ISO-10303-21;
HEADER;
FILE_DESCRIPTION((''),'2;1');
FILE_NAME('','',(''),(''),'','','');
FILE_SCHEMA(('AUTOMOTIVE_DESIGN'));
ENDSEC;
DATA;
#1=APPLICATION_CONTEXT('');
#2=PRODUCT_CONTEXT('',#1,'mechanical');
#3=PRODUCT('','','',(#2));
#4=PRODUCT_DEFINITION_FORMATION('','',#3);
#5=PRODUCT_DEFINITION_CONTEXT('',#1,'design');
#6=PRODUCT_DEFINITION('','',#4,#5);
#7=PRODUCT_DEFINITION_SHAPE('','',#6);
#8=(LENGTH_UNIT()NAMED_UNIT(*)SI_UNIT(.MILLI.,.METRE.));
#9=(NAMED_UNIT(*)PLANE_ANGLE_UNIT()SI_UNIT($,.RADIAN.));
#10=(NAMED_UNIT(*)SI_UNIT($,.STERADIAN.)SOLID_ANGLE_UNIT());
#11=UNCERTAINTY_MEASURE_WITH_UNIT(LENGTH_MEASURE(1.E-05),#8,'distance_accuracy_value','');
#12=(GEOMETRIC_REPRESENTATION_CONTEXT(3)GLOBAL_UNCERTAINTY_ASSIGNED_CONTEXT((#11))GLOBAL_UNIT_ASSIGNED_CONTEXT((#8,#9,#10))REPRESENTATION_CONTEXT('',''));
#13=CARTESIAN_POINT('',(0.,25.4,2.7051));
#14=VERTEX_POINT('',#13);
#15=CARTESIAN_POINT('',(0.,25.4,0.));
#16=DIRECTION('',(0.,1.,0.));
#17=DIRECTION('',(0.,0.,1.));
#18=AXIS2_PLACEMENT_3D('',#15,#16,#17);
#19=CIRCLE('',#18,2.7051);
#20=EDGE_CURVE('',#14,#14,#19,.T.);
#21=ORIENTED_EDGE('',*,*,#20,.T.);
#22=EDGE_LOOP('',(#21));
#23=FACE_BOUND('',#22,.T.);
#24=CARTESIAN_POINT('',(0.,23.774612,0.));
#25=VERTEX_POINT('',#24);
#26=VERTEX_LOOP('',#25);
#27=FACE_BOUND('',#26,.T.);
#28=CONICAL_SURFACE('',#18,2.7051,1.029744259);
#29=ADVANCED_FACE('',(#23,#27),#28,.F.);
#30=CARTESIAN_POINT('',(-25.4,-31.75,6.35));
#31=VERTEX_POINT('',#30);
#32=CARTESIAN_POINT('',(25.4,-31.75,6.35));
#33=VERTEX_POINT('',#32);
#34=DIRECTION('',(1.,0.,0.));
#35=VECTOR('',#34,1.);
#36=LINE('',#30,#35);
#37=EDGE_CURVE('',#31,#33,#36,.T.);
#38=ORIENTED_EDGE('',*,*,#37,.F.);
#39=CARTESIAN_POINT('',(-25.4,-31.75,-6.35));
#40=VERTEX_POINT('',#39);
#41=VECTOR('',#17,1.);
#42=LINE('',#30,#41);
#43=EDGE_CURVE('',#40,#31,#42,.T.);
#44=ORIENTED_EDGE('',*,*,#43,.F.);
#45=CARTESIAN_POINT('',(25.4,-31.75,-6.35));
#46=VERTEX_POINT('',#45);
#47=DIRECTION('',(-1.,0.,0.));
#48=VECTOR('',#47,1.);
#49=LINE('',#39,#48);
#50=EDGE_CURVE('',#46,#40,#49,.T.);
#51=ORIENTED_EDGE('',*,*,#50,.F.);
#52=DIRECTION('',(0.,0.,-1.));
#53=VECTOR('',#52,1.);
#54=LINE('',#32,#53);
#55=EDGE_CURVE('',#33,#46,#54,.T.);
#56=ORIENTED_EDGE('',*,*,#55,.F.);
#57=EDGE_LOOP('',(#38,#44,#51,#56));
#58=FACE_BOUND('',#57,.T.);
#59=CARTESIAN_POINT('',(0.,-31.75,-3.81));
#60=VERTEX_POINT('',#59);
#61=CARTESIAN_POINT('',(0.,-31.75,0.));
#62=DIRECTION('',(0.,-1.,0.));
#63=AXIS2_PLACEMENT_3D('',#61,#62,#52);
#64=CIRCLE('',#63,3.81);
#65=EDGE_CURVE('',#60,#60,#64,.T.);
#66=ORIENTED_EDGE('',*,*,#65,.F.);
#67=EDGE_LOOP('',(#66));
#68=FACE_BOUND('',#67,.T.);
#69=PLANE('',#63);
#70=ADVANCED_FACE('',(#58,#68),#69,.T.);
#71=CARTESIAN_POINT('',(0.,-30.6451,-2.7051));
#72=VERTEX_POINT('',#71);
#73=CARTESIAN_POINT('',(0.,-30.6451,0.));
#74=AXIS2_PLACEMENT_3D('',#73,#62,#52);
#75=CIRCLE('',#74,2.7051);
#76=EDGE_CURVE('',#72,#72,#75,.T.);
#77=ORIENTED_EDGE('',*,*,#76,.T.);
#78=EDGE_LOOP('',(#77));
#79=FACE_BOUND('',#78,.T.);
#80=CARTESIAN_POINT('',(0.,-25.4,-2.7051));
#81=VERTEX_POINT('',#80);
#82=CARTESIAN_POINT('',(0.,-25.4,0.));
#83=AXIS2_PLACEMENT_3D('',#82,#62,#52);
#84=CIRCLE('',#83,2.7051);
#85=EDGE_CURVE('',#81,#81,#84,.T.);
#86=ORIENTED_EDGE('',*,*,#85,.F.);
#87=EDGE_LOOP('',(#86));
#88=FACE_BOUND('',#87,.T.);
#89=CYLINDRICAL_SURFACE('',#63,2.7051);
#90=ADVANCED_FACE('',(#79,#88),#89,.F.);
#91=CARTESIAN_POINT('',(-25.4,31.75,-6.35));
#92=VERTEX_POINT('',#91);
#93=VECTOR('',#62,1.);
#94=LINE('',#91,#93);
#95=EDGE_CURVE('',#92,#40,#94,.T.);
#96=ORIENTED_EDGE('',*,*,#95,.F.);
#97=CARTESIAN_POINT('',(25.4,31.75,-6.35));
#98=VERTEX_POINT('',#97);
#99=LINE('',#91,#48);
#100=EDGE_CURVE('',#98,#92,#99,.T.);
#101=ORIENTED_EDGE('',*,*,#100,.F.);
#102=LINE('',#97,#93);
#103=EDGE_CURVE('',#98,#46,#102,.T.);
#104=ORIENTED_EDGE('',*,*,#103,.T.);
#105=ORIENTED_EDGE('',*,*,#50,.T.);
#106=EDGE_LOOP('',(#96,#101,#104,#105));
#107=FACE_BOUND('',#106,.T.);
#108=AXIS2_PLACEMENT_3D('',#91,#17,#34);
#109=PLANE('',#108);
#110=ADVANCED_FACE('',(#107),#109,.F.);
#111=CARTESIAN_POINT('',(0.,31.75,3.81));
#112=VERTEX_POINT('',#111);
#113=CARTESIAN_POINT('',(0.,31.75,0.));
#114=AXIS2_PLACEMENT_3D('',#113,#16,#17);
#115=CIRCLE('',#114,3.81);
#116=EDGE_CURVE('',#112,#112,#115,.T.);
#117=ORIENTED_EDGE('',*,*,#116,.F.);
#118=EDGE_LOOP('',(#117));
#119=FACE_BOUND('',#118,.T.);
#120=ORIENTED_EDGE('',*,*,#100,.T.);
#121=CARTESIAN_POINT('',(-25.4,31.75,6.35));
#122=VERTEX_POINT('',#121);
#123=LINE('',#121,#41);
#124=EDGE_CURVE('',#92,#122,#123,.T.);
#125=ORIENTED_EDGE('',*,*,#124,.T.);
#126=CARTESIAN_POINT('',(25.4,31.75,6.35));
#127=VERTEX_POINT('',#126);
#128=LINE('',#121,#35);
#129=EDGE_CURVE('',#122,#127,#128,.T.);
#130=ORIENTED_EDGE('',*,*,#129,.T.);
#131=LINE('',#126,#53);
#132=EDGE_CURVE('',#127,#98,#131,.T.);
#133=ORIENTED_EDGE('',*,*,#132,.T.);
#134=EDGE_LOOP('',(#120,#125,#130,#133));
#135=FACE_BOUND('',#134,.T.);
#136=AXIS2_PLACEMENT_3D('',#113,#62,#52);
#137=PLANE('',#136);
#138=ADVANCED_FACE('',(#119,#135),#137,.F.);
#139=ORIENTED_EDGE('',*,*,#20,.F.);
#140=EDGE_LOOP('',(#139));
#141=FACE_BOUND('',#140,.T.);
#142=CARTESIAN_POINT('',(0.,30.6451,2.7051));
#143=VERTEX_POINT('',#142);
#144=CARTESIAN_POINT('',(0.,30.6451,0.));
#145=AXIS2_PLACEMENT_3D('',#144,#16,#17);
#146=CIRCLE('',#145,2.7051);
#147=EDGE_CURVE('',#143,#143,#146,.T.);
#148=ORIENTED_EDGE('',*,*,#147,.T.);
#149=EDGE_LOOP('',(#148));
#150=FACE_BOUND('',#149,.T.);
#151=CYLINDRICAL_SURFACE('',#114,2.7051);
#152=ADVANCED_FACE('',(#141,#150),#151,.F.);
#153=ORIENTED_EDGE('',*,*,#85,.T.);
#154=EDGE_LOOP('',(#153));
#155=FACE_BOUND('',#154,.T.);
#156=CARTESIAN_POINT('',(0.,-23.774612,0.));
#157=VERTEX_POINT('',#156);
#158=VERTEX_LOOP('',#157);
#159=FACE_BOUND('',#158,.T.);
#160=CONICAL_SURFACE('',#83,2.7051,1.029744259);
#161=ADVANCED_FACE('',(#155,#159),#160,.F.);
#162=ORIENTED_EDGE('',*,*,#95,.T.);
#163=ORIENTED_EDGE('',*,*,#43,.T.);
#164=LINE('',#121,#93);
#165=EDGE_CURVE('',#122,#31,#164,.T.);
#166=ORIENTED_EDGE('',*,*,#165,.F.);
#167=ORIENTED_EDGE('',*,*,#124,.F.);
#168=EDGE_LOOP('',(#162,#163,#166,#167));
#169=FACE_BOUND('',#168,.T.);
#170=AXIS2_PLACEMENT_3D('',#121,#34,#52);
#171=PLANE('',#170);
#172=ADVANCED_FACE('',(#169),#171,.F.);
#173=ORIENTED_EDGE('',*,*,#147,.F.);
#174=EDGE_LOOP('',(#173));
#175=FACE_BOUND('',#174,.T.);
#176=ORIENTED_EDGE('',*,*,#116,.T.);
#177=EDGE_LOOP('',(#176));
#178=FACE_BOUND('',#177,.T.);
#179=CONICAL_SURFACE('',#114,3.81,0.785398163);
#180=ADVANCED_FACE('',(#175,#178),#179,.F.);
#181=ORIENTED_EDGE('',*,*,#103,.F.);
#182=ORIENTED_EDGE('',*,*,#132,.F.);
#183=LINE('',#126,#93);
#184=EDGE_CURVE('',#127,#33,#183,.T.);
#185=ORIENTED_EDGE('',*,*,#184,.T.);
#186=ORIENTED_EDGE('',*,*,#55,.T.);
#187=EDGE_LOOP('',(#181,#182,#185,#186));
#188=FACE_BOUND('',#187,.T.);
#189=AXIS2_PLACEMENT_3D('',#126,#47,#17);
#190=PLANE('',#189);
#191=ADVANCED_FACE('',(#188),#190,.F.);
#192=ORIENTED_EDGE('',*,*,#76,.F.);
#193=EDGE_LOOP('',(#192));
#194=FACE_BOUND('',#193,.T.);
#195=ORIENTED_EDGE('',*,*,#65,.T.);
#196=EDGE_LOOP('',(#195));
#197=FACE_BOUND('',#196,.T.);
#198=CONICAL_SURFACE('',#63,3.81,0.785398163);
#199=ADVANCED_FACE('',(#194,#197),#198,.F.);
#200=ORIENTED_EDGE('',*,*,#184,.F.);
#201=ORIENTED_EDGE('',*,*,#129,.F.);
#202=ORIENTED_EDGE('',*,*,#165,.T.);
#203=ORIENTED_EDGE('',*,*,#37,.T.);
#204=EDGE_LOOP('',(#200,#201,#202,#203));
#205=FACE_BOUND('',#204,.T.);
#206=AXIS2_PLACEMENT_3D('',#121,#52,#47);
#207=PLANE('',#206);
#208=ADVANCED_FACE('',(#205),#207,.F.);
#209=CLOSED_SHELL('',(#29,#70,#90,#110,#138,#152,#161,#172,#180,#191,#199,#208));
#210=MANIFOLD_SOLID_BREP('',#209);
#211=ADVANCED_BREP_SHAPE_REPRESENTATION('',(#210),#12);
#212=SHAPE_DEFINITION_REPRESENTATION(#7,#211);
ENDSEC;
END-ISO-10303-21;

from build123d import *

# Parameters (mm, degrees)
SKETCH1_W           = 50.8
SKETCH1_H           = 12.7
BOSS_EXTRUDE1_DEPTH = 31.75


with BuildPart() as part:
    # Sketch1 → Boss-Extrude1 (new body, symmetric)
    with BuildSketch(Plane(origin=(0, 0, 0), x_dir=(1, 0, 0), z_dir=(0, 1, 0))):
        Rectangle(SKETCH1_W, SKETCH1_H)
    extrude(amount=BOSS_EXTRUDE1_DEPTH, both=True)

    # Sketch3 → 1/4-28 Tapped Hole1 (revolve, cut)
    with BuildSketch(Plane(origin=(0, 31.75, 0), x_dir=(0, 0, 1), z_dir=(1, 0, 0))):
        Polygon((0, 0), (0, 7.975388061), (2.7051, 6.35), (2.7051, 1.1049), (3.81, 0), align=None)
    f_1_4_28_tapped_hole1 = revolve(axis=Axis((0, 38.1, 0), (0, -1, 0)), mode=Mode.SUBTRACT)

    # Mirror1: 1/4-28 Tapped Hole1 across plane
    add(f_1_4_28_tapped_hole1.mirror(Plane.ZX), mode=Mode.SUBTRACT)


solid = part.part
